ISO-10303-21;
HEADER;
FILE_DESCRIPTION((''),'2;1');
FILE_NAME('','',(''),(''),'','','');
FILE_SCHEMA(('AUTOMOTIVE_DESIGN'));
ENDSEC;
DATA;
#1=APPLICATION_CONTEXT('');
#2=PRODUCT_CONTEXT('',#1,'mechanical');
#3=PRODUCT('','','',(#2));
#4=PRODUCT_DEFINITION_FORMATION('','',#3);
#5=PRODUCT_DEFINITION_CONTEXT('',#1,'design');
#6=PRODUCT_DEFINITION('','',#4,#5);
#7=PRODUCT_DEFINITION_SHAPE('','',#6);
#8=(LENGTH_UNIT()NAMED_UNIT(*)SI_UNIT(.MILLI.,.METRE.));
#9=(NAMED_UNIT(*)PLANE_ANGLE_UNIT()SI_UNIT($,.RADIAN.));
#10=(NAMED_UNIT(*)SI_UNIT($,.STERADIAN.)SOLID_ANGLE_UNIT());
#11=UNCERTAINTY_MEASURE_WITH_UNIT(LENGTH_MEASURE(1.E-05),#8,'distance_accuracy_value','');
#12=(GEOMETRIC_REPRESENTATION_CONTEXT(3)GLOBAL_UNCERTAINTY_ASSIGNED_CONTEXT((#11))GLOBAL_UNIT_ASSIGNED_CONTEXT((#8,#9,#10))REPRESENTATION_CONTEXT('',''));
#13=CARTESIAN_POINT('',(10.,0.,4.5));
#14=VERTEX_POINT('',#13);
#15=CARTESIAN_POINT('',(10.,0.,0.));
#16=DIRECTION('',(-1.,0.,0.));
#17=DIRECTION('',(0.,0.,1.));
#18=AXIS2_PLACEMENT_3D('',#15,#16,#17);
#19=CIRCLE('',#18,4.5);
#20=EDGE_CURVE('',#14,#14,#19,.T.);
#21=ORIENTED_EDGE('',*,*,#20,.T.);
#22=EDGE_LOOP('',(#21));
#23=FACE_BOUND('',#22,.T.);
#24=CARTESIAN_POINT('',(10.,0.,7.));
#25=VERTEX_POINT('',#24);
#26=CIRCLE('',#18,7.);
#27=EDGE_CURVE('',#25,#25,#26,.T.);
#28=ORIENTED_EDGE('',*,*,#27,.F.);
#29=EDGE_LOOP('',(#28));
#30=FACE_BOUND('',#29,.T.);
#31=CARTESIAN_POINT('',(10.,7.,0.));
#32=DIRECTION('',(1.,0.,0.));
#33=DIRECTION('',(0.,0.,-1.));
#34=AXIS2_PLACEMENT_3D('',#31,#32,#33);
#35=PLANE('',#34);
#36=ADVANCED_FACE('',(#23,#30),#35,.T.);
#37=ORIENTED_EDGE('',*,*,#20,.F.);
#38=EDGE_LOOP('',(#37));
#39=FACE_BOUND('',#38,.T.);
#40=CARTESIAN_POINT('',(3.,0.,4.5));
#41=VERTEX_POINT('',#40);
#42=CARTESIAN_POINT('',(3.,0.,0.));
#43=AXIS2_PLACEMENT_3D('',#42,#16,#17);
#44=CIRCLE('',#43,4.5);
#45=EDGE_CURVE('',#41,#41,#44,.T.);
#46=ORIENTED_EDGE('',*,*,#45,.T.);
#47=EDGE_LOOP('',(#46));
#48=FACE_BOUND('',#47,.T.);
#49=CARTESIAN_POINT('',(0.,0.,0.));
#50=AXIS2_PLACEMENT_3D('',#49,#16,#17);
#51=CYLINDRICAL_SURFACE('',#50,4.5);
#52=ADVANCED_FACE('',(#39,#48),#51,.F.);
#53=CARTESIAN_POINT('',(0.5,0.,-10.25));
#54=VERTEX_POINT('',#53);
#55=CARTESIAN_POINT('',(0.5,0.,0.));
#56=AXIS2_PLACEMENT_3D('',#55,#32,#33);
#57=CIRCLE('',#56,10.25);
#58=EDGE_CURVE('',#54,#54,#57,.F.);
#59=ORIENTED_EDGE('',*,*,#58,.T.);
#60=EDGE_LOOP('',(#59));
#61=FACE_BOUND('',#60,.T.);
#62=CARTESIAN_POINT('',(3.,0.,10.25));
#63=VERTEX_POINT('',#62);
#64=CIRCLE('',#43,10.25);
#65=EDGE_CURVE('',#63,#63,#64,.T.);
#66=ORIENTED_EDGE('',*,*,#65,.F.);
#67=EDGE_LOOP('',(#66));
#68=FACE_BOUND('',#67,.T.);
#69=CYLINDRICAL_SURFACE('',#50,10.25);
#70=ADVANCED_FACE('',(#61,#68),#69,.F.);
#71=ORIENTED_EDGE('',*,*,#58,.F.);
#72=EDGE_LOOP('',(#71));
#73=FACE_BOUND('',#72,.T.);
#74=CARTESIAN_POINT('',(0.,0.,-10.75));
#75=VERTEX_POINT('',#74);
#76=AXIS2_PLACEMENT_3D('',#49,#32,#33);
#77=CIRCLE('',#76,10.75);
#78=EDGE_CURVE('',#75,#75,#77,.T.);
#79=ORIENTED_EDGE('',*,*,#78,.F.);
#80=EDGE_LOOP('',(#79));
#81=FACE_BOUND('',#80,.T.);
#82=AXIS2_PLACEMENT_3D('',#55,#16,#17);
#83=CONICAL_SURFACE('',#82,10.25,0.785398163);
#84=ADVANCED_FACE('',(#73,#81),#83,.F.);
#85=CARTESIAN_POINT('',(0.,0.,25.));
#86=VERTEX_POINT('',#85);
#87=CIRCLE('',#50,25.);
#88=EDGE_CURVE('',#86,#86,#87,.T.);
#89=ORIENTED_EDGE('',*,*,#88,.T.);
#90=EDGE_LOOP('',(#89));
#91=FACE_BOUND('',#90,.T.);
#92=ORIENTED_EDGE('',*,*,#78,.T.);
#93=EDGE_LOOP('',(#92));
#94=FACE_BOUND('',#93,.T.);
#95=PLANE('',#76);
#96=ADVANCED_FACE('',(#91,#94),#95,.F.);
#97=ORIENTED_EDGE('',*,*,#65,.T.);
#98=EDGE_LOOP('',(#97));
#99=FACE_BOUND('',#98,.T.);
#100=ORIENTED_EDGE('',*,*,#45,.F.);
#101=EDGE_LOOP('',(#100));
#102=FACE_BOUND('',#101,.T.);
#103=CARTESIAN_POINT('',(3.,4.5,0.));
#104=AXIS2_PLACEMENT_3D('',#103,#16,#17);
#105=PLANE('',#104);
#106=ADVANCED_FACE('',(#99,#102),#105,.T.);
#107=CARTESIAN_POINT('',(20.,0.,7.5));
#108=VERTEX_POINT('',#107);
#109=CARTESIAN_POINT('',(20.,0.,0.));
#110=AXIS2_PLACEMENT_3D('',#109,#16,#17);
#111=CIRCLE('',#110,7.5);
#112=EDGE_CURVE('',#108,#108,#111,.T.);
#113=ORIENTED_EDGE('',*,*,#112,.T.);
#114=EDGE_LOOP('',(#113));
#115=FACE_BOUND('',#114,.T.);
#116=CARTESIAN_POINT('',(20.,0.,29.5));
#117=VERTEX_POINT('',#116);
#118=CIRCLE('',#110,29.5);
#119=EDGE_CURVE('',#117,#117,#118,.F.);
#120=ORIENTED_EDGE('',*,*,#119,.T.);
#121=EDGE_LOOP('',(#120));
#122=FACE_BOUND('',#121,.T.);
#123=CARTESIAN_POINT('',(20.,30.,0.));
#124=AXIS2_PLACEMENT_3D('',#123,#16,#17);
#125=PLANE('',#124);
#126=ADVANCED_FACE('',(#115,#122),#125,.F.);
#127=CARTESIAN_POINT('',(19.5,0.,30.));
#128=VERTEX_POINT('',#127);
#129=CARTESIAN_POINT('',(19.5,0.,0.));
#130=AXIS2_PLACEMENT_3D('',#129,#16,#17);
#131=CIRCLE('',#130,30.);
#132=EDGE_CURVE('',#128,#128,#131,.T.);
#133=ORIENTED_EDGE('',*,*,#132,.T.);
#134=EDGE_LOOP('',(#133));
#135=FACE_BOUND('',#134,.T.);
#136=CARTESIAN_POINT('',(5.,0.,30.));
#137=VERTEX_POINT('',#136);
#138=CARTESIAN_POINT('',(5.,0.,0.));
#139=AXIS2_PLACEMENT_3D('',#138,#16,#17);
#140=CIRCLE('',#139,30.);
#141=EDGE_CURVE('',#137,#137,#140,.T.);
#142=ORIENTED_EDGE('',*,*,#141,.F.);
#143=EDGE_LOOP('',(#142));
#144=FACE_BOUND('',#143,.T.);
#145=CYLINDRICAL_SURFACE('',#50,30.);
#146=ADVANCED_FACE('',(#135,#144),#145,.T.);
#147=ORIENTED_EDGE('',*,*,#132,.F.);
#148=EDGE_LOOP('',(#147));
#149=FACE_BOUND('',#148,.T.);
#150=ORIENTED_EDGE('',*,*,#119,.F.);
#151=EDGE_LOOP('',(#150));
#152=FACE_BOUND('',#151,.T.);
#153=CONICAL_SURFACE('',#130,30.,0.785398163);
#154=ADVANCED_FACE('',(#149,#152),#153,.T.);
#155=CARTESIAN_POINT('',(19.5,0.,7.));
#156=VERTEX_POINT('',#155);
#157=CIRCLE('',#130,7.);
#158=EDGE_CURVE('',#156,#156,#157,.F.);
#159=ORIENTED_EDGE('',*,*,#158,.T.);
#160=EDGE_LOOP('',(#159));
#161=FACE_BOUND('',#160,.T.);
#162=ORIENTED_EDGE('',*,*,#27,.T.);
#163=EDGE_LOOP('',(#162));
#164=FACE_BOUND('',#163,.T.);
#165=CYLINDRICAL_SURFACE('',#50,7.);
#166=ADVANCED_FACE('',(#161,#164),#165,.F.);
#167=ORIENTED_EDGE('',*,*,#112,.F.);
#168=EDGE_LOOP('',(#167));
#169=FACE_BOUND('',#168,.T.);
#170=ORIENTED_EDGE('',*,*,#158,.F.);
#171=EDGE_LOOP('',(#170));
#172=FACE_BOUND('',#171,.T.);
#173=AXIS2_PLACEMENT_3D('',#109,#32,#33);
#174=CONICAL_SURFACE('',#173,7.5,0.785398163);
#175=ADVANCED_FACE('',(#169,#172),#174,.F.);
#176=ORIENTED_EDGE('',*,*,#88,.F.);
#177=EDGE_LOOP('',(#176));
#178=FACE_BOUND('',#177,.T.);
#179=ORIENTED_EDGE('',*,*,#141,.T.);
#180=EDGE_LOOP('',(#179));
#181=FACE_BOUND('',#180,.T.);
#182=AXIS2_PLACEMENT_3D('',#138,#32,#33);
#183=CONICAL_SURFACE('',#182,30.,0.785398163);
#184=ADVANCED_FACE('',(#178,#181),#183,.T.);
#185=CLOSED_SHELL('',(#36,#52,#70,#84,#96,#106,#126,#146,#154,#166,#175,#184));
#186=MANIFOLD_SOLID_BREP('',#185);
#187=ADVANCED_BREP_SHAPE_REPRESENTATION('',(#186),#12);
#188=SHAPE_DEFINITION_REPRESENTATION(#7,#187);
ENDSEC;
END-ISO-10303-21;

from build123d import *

# Parameters (mm, degrees)
CHAMFER_1_SIZE = 0.5
CHAMFER_2_SIZE = 0.5


with BuildPart() as part:
    # 스케치2 → 회전1 (revolve)
    with BuildSketch(Plane.XY, mode=Mode.PRIVATE) as revolve_1_sk:
        Polygon((0, 0), (0, 25), (5, 30), (20, 30), (20, 0), align=None)
    revolve(revolve_1_sk.sketch.rotate(Axis((0, 0, 0), (1, 0, 0)), 90), axis=Axis((0, 0, 0), (1, 0, 0)))

    # 스케치4 → 컷-회전1 (revolve, cut)
    with BuildSketch(Plane.XY, mode=Mode.PRIVATE) as cut_revolve_1_sk:
        Polygon((20, 7), (10, 7), (10, 4.5), (3, 4.5), (3, 10.25), (0, 10.25), (0, 0), (20, 0), align=None)
    revolve(cut_revolve_1_sk.sketch.rotate(Axis((0, 0, 0), (1, 0, 0)), 90), axis=Axis((0, 0, 0), (1, 0, 0)), mode=Mode.SUBTRACT)

    # 모따기1
    chamfer_1_edges = [part.edges().sort_by_distance(p)[0] for p in [
        (0, 0, -10.25),
        (20, 0, -7),
    ]]
    chamfer(chamfer_1_edges, length=CHAMFER_1_SIZE)

    # 모따기2
    chamfer_2_edges = [part.edges().sort_by_distance(p)[0] for p in [
        (20, 0, -30),
    ]]
    chamfer(chamfer_2_edges, length=CHAMFER_2_SIZE)


solid = part.part
